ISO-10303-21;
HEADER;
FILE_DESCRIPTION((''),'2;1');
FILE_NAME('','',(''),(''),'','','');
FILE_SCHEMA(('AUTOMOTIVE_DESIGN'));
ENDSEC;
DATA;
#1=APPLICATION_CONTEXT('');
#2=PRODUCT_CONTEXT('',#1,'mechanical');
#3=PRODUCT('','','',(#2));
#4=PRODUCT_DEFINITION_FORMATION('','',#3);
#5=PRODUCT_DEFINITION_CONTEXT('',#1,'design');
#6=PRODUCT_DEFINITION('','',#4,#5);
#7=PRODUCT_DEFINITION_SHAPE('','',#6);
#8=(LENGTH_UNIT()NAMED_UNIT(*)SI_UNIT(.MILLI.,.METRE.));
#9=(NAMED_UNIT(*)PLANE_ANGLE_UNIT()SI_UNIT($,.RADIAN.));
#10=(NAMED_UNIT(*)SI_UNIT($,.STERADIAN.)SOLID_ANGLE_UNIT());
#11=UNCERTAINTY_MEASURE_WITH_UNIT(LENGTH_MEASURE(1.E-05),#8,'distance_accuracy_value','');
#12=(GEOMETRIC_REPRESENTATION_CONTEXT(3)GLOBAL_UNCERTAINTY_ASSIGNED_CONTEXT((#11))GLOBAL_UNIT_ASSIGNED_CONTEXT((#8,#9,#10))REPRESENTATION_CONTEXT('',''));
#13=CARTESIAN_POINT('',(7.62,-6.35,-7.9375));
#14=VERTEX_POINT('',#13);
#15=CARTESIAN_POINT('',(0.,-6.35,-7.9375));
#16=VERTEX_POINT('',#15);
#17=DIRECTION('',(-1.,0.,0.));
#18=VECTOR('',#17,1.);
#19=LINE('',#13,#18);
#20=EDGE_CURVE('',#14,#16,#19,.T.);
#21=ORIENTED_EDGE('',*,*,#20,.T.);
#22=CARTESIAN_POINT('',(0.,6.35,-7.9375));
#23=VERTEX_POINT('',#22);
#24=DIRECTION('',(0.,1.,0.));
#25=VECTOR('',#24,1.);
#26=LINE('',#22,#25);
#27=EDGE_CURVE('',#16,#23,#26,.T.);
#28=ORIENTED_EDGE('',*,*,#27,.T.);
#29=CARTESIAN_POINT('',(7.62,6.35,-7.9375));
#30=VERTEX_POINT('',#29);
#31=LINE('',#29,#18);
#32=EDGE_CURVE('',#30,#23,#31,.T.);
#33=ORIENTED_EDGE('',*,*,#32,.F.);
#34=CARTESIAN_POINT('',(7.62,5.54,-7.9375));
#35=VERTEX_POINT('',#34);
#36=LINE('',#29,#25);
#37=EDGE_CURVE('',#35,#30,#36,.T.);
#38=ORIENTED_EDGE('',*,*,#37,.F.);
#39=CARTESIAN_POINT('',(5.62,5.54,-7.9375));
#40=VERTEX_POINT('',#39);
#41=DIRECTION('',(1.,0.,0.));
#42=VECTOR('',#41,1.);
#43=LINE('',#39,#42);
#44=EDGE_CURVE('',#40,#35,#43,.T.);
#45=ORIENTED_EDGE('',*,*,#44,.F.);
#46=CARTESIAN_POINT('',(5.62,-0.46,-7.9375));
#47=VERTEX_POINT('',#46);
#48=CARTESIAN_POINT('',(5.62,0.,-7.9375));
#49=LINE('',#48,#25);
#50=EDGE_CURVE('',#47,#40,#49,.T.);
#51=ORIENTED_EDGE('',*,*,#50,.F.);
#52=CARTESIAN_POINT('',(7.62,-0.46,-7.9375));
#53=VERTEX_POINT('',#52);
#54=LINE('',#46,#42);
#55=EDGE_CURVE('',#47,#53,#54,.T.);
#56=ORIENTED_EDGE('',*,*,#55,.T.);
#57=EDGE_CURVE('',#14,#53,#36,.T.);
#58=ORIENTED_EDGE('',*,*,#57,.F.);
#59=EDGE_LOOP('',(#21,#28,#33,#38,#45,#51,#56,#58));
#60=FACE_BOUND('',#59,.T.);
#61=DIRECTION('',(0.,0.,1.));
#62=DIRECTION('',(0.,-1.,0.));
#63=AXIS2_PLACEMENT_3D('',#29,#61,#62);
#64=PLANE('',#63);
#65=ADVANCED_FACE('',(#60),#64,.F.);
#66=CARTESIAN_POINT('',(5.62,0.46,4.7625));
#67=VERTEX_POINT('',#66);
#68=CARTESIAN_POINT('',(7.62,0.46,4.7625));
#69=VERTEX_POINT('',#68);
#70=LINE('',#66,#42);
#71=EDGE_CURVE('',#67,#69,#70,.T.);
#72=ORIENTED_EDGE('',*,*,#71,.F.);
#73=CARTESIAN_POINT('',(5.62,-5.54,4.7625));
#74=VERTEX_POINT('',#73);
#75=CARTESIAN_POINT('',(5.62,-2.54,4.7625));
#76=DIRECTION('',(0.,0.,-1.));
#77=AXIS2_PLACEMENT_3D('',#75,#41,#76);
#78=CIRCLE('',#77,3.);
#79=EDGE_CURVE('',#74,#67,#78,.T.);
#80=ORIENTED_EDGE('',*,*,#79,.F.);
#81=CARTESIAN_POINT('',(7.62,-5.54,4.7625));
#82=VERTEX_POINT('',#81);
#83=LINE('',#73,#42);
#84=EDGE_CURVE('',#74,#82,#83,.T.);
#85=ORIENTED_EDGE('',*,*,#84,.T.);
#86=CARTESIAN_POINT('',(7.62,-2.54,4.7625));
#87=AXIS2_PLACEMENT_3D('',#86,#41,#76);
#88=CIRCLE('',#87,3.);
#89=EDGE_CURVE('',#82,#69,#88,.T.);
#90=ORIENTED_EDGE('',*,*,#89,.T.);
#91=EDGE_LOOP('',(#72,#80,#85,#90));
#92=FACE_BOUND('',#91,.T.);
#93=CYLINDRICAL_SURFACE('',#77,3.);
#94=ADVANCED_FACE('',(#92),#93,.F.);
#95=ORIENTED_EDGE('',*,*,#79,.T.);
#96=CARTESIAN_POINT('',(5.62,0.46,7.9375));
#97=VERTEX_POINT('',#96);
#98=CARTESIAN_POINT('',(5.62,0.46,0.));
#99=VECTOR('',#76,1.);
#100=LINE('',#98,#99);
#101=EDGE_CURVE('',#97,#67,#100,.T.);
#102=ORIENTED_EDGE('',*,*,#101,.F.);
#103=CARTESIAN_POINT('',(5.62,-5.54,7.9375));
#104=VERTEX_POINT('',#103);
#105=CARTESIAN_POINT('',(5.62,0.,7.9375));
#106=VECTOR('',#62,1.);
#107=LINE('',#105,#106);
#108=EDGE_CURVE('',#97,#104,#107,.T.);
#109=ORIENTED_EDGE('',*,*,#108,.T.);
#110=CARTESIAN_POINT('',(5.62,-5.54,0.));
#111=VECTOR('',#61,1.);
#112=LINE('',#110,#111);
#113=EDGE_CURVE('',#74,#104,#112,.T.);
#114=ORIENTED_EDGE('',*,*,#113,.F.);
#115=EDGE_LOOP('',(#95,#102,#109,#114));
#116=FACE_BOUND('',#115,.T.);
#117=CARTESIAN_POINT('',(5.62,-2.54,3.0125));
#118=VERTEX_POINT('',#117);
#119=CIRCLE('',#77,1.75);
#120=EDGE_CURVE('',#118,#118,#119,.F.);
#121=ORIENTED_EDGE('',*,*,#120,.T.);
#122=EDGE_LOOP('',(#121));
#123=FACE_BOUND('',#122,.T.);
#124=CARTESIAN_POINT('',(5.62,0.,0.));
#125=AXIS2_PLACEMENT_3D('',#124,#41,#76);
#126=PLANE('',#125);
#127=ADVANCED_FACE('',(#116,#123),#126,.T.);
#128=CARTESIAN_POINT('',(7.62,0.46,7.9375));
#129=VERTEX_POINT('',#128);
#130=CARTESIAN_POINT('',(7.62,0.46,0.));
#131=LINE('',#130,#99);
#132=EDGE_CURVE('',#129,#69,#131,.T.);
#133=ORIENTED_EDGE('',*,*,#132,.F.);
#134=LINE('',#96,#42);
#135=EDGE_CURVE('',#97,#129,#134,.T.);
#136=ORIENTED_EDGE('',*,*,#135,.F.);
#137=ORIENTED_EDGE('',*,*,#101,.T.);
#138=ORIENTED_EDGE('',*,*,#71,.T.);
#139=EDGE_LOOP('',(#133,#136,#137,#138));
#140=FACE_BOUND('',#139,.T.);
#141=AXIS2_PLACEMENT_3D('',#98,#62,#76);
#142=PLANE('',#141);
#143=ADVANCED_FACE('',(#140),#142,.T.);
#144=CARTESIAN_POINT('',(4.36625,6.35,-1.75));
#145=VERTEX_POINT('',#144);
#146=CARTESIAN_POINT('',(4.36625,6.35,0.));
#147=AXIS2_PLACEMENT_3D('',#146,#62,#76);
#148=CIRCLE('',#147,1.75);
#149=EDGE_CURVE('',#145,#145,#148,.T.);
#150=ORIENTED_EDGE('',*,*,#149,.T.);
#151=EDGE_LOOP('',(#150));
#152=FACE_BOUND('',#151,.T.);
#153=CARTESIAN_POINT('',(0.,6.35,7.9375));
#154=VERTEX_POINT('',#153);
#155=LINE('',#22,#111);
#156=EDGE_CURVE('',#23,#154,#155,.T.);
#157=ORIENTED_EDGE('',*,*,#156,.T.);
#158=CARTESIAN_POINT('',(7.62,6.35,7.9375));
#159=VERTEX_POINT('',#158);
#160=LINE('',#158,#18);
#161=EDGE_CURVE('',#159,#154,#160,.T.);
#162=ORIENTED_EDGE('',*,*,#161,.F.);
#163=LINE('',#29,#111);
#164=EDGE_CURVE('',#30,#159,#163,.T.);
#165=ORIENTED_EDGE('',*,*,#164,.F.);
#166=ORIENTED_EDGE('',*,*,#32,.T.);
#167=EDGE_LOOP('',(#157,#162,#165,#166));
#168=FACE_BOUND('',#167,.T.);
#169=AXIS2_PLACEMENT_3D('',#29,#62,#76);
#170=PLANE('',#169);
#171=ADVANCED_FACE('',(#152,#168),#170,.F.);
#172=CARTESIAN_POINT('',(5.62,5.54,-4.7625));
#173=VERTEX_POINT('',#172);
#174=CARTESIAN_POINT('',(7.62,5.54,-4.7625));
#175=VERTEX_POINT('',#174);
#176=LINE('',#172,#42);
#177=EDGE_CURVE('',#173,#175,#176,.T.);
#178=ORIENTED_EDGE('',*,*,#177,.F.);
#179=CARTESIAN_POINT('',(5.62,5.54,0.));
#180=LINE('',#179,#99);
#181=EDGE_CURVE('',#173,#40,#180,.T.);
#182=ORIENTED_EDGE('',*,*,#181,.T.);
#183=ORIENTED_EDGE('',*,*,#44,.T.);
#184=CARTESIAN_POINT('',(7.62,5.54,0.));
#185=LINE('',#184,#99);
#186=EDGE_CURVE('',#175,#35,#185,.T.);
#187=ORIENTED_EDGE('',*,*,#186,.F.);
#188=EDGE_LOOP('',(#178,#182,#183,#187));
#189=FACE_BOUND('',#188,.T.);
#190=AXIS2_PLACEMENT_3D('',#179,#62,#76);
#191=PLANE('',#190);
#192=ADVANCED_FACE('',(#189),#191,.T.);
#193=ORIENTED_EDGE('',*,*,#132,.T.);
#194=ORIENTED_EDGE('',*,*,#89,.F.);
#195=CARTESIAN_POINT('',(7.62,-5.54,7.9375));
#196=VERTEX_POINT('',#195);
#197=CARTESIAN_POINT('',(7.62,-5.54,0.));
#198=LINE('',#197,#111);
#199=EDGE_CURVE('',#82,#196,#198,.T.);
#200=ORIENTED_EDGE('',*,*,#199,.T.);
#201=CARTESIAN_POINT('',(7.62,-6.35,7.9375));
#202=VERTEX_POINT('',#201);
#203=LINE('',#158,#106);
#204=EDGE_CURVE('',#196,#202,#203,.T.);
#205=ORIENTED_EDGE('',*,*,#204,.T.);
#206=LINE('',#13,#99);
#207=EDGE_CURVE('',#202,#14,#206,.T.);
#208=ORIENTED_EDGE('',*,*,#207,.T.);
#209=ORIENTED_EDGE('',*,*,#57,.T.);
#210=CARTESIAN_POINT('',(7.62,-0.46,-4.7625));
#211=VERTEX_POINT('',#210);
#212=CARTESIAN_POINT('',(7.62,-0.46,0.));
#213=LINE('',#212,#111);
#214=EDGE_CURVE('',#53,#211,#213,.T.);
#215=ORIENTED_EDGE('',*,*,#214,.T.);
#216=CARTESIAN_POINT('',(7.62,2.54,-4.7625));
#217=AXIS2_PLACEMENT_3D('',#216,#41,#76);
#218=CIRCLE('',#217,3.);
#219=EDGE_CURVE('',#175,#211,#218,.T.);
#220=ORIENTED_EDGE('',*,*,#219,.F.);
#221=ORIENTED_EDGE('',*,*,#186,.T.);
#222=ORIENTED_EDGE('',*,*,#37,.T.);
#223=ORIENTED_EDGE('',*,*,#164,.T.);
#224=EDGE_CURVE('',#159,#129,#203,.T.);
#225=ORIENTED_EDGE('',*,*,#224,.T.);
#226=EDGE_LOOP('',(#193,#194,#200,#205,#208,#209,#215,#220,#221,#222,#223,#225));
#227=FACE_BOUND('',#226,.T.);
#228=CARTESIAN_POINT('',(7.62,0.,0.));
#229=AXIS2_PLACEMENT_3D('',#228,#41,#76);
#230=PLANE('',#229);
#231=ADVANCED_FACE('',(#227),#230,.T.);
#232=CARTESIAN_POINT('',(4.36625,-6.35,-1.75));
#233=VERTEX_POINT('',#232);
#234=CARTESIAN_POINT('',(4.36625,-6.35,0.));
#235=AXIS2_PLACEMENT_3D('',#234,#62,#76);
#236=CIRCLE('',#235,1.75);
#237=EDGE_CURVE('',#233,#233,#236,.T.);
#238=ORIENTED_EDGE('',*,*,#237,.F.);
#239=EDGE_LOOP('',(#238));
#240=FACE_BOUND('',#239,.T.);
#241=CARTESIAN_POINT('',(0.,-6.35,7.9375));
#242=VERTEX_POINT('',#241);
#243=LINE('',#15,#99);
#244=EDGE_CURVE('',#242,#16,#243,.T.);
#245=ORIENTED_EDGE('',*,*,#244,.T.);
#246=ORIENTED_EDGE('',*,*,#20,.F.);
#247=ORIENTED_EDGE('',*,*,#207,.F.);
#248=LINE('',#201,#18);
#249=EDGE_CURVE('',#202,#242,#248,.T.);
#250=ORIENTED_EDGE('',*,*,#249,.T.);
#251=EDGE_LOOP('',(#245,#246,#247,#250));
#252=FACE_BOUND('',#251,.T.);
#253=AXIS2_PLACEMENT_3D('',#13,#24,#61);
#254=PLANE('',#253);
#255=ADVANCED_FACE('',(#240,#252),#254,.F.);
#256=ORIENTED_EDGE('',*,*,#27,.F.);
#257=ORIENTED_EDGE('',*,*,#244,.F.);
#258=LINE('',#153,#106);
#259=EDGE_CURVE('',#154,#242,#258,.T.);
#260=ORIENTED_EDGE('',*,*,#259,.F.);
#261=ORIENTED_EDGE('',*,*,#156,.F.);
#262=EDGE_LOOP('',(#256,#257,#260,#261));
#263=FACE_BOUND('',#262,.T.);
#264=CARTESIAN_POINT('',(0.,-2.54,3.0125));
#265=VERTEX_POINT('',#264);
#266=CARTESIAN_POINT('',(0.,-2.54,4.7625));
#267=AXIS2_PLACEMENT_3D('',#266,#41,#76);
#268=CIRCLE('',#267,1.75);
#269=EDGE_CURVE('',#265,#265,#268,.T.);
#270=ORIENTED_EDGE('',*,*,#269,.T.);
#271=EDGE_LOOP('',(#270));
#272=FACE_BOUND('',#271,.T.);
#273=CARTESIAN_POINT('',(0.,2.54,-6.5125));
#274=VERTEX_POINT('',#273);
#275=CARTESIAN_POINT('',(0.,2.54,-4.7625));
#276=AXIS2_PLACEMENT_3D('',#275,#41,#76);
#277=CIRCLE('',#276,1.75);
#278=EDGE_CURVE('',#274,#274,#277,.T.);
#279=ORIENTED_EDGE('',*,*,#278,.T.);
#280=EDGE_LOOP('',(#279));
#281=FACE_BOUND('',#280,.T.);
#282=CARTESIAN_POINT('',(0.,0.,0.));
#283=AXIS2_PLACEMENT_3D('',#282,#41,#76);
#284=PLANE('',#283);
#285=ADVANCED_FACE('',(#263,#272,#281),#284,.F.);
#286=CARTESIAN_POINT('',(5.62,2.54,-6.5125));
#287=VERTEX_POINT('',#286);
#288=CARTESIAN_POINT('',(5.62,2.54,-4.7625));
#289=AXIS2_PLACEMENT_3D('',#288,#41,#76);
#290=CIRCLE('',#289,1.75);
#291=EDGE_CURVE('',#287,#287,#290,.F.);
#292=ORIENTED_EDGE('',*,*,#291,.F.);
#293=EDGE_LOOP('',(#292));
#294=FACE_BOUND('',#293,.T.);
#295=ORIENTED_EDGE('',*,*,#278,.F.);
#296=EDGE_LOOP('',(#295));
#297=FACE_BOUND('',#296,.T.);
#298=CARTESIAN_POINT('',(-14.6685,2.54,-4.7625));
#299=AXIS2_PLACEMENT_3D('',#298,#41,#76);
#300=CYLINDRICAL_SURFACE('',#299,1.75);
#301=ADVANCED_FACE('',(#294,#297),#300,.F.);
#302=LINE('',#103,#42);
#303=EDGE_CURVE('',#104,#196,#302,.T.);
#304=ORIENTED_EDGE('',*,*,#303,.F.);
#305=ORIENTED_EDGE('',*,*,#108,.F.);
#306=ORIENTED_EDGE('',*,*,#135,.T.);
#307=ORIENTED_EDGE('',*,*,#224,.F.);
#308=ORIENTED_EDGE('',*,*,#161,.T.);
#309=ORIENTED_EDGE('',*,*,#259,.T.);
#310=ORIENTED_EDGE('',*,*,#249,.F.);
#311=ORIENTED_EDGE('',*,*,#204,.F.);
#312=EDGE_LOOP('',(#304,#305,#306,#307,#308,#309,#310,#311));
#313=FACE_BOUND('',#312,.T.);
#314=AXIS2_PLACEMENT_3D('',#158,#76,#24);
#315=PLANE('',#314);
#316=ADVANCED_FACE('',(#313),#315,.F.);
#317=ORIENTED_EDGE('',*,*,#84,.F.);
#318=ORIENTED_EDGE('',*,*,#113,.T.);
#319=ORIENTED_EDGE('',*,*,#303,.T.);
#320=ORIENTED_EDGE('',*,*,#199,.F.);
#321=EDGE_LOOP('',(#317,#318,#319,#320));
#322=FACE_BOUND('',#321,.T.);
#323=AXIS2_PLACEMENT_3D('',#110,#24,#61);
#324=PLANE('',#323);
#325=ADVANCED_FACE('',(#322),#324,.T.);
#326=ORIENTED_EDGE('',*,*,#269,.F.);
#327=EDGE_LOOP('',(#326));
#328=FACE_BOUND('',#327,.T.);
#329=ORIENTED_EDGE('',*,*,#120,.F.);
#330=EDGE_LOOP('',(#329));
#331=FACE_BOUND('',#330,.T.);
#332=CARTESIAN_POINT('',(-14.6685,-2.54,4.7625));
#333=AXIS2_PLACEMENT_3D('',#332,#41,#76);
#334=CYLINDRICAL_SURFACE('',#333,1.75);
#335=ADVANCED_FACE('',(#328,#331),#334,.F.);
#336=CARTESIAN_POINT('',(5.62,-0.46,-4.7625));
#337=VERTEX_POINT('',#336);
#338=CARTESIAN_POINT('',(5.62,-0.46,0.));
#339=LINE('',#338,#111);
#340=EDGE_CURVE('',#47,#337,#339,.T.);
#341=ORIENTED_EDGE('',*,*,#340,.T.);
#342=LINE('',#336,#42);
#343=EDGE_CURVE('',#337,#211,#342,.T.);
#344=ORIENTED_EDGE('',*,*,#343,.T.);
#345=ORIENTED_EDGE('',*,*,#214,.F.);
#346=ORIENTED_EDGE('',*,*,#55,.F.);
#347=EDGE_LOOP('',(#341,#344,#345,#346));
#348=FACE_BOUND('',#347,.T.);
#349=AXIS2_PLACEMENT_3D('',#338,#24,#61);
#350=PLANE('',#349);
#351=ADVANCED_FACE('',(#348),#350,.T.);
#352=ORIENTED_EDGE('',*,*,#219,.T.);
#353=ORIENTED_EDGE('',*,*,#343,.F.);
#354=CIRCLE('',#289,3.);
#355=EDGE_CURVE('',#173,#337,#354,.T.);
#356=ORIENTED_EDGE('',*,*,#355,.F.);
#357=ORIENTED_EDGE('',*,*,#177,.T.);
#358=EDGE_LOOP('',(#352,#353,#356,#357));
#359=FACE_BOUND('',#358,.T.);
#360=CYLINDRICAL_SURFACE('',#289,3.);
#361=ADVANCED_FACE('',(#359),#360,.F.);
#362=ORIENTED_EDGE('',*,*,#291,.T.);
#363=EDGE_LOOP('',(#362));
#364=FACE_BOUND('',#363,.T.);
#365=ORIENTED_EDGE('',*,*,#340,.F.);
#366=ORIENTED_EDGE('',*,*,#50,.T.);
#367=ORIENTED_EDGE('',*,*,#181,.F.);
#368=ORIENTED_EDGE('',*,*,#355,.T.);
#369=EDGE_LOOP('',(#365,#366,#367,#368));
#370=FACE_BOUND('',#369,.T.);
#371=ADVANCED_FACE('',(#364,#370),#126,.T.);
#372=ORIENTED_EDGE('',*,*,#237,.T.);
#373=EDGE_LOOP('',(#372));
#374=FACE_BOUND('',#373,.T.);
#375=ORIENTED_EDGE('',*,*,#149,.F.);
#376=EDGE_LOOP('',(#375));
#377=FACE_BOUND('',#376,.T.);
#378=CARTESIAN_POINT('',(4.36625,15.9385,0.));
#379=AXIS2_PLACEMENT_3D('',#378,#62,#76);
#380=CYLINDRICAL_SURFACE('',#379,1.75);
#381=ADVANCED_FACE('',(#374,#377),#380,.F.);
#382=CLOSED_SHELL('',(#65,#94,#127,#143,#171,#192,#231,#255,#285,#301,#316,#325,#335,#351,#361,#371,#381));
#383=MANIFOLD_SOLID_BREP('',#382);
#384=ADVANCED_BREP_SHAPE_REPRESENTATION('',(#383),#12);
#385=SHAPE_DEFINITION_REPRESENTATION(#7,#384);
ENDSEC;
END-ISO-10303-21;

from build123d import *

# Parameters (mm, degrees)
SKETCH1_W           = 12.7
SKETCH1_H           = 15.875
BOSS_EXTRUDE1_DEPTH = 7.62
SKETCH3_R           = 1.75
CUT_EXTRUDE1_DEPTH  = 22.2885
SKETCH4_R           = 1.75
CUT_EXTRUDE2_DEPTH  = 22.2885
SKETCH5_R           = 1.75
CUT_EXTRUDE3_DEPTH  = 2


with BuildPart() as part:
    # Sketch1 → Boss-Extrude1 (new body)
    with BuildSketch(Plane.YZ):
        Rectangle(SKETCH1_W, SKETCH1_H)
    extrude(amount=BOSS_EXTRUDE1_DEPTH)

    # Sketch3 → Cut-Extrude1 (cut)
    with BuildSketch(Plane.XZ.offset(6.35)):
        with Locations((4.36625, 0)):
            Circle(SKETCH3_R)
    extrude(amount=-CUT_EXTRUDE1_DEPTH, mode=Mode.SUBTRACT)

    # Sketch4 → Cut-Extrude2 (cut)
    with BuildSketch(Plane.YZ.offset(7.62)):
        with Locations((-2.54, 4.7625)):
            Circle(SKETCH4_R)
        with Locations((2.54, -4.7625)):
            Circle(SKETCH4_R)
    extrude(amount=-CUT_EXTRUDE2_DEPTH, mode=Mode.SUBTRACT)

    # Sketch5 → Cut-Extrude3 (cut)
    # profile 1 of 2: a face of its own
    with BuildSketch(Plane.YZ.offset(7.62)):
        with BuildLine():
            Line((-5.54, 7.9375), (-5.54, 4.7625))
            ThreePointArc((-5.54, 4.7625), (-2.54, 1.7625), (0.46, 4.7625))
            Line((0.46, 4.7625), (0.46, 7.9375))
            Line((0.46, 7.9375), (-5.54, 7.9375))
        make_face()
        with Locations((-2.54, 4.7625)):
            Circle(SKETCH5_R, mode=Mode.SUBTRACT)
    # profile 2 of 2: a face of its own
    with BuildSketch(Plane.YZ.offset(7.62)):
        with BuildLine():
            ThreePointArc((5.54, -4.7625), (2.54, -1.7625), (-0.46, -4.7625))
            Line((-0.46, -4.7625), (-0.46, -7.9375))
            Line((-0.46, -7.9375), (5.54, -7.9375))
            Line((5.54, -7.9375), (5.54, -4.7625))
        make_face()
        with Locations((2.54, -4.7625)):
            Circle(SKETCH5_R, mode=Mode.SUBTRACT)
    extrude(amount=-CUT_EXTRUDE3_DEPTH, mode=Mode.SUBTRACT)


solid = part.part
